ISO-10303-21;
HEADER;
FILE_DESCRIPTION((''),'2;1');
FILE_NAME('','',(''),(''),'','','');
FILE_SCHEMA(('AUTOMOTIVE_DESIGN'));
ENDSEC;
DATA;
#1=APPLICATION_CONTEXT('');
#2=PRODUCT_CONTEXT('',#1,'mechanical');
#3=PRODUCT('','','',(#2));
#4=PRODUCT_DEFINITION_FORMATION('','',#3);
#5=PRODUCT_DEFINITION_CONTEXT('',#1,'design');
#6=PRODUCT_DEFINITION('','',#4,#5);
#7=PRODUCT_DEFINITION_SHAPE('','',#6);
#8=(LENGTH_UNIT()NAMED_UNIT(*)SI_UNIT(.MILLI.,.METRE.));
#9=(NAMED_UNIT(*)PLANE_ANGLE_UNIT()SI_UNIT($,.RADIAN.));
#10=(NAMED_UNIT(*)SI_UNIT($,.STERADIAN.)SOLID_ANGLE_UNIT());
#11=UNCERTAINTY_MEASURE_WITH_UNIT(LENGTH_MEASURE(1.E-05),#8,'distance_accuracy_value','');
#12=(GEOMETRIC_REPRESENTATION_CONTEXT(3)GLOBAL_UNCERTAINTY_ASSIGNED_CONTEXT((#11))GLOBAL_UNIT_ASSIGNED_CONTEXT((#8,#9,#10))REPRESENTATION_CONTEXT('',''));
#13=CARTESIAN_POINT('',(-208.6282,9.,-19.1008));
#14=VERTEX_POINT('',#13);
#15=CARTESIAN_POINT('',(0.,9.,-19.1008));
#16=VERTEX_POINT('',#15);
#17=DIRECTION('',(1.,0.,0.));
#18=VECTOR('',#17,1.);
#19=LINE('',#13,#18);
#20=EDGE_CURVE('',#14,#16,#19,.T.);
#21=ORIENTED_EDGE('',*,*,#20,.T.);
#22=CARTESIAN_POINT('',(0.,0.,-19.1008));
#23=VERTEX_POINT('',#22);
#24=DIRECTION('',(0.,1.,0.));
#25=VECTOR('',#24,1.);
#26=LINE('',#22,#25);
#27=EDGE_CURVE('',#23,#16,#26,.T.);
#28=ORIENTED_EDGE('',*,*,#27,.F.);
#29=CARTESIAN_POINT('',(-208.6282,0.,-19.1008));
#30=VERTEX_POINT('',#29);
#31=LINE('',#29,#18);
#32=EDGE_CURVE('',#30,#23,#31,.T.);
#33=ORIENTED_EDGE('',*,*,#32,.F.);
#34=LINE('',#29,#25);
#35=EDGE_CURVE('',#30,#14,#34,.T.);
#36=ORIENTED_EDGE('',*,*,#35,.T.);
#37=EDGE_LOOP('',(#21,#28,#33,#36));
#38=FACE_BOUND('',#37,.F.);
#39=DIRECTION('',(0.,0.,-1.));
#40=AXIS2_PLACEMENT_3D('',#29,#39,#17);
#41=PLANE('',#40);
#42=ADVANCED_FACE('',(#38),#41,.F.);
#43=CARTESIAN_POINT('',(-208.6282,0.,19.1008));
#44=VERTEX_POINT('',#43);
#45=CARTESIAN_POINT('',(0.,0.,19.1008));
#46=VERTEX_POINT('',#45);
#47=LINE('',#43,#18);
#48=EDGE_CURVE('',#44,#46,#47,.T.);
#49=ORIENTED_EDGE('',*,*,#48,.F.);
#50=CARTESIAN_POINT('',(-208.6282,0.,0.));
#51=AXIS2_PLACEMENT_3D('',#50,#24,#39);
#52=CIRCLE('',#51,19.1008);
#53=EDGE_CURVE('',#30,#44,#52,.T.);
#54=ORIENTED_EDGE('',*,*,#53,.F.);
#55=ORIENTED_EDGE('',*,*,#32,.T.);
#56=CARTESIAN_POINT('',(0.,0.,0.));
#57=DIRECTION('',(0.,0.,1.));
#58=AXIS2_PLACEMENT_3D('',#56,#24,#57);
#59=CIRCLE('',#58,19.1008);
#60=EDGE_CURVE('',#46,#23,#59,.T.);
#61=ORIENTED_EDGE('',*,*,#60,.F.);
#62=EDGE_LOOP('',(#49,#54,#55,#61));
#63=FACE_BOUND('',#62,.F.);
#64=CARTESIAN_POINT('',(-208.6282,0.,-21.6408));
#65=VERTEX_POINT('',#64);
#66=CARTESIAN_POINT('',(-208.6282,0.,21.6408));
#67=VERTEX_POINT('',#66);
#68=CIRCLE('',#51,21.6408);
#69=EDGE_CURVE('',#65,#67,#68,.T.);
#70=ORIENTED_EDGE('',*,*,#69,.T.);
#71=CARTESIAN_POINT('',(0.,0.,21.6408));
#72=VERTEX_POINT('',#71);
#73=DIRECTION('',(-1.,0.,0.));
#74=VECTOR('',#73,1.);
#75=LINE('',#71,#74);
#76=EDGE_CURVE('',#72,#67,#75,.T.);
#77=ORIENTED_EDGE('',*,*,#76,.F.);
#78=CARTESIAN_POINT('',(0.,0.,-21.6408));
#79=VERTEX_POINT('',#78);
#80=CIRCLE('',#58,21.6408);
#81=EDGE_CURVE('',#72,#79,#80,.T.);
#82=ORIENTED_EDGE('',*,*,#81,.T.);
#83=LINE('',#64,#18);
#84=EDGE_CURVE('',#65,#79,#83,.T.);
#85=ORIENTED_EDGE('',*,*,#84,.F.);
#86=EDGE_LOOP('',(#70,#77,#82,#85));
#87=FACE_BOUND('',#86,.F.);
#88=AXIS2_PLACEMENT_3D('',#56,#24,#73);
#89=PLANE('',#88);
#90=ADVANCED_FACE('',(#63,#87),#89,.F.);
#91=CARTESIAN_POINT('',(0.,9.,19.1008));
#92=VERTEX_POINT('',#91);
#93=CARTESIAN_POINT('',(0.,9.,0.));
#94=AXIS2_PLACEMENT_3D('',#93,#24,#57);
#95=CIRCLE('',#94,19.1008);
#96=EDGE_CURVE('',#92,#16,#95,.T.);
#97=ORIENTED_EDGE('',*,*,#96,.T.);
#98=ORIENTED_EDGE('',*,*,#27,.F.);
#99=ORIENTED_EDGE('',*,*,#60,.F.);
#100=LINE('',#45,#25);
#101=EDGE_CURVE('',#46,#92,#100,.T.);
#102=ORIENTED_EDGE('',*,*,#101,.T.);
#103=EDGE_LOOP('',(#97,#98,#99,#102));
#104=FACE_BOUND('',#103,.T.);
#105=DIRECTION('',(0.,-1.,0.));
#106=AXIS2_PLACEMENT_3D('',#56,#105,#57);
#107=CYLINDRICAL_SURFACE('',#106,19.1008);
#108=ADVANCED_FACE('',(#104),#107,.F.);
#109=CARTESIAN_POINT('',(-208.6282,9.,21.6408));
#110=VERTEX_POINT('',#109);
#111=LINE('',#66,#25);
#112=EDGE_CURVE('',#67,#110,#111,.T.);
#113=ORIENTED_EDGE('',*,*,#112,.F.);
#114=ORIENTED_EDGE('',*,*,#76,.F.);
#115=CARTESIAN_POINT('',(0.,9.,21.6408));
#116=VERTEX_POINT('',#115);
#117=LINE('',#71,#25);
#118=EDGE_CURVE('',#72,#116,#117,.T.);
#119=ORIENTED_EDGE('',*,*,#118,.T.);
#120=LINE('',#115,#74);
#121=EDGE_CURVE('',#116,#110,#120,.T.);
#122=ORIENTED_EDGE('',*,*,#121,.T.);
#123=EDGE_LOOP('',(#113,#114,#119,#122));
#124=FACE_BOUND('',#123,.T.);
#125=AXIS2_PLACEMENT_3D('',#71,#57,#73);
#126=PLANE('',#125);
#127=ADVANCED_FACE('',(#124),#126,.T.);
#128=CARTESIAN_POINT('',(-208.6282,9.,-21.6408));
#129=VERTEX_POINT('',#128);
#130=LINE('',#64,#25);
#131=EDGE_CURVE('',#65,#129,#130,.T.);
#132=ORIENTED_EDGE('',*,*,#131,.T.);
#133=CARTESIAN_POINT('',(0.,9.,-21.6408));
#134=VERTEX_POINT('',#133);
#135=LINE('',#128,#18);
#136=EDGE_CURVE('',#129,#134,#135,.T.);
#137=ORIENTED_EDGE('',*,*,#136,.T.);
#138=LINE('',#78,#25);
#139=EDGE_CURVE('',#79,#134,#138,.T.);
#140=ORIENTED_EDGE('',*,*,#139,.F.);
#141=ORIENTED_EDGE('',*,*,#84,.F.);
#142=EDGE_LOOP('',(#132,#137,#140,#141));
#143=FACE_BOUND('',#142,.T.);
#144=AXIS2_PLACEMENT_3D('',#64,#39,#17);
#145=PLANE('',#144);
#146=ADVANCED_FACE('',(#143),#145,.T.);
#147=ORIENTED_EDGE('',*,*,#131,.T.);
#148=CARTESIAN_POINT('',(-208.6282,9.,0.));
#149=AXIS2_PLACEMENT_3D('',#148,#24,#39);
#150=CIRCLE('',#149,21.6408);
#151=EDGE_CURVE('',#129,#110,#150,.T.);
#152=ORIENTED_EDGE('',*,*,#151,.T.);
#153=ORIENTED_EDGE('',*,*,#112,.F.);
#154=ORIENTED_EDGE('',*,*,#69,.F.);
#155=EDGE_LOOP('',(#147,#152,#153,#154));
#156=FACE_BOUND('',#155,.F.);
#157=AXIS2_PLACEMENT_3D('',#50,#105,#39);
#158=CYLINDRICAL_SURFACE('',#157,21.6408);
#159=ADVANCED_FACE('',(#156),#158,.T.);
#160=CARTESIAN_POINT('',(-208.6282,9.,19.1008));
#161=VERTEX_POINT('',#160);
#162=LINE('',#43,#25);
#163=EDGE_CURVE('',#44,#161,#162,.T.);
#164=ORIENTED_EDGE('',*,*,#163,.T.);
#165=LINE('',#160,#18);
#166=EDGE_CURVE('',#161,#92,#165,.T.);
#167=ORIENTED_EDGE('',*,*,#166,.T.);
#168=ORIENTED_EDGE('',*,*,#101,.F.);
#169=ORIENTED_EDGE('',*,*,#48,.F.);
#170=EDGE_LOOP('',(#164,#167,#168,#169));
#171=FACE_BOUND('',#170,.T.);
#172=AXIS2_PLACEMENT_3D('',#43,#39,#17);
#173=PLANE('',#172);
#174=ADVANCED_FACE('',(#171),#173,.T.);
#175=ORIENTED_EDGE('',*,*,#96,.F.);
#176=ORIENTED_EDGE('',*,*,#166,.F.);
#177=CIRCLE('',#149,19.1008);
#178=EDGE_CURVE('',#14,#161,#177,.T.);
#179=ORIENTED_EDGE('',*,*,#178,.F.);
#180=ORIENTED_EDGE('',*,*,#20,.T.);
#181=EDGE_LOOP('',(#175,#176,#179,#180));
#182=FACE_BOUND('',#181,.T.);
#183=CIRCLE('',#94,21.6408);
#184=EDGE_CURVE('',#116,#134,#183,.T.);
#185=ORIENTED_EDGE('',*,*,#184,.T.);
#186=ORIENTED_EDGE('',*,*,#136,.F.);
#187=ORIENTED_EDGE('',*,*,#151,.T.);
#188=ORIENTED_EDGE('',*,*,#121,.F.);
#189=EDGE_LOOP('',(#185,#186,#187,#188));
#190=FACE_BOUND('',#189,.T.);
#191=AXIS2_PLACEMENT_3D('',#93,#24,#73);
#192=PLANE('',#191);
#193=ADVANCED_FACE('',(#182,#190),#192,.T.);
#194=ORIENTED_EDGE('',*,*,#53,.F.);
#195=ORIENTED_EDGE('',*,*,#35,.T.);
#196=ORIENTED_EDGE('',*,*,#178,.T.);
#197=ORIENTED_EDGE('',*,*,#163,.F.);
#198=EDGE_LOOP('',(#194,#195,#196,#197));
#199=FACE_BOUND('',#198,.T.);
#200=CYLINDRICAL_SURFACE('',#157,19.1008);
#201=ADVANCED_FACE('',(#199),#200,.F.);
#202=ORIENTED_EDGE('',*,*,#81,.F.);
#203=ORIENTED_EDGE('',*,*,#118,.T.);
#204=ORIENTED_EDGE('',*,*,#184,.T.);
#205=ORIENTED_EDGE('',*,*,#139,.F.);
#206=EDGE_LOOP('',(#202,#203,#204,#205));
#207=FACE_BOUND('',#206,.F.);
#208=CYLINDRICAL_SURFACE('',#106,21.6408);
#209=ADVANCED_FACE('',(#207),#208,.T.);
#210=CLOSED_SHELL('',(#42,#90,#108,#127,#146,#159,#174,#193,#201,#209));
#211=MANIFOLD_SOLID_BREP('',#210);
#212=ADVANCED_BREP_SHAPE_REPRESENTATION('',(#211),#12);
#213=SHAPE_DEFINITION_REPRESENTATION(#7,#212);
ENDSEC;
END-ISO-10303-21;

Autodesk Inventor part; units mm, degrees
ref_plane "YZ Plane" through (0, 0, 0) normal (1, 0, 0) x (0, 1, 0)
ref_plane "XZ Plane" through (0, 0, 0) normal (0, 1, 0) x (-1, 0, 0)
ref_plane "XY Plane" through (0, 0, 0) normal (0, 0, 1) x (1, 0, 0)
sketch "Sketch1" plane through (0, 0, 0) normal (0, 1, 0) x (-1, 0, 0)
  circle A0 centre (0, 0) radius 19.1008 construction
  circle A1 centre (208.6282, 0) radius 19.1008 construction
  line L0 (208.6282, 0) -> (0, 0) construction
  line L1 (208.6282, 19.1008) -> (0, 19.1008)
  line L2 (208.6282, -19.1008) -> (0, -19.1008)
  arc A2 (208.6282, -19.1008) -> (208.6282, 19.1008) centre (208.6282, 0) ccw
  arc A3 (0, 19.1008) -> (0, -19.1008) centre (0, 0) ccw
  line L3 (0, 21.6408) -> (208.6282, 21.6408)
  arc A4 (208.6282, -21.6408) -> (208.6282, 21.6408) centre (208.6282, 0) ccw
  line L4 (208.6282, -21.6408) -> (0, -21.6408)
  arc A5 (0, 21.6408) -> (0, -21.6408) centre (0, 0) ccw
  dimension "d0" = 38.2016
  dimension "d1" = 38.2016
  dimension "d2" = 208.6282
  dimension "d3" = 2.54
extrude "Extrusion1" add sketch "Sketch1" along normal blind 9
properties part number "SHOT_1_012_Belt1" material "Rubber, Silicone"
